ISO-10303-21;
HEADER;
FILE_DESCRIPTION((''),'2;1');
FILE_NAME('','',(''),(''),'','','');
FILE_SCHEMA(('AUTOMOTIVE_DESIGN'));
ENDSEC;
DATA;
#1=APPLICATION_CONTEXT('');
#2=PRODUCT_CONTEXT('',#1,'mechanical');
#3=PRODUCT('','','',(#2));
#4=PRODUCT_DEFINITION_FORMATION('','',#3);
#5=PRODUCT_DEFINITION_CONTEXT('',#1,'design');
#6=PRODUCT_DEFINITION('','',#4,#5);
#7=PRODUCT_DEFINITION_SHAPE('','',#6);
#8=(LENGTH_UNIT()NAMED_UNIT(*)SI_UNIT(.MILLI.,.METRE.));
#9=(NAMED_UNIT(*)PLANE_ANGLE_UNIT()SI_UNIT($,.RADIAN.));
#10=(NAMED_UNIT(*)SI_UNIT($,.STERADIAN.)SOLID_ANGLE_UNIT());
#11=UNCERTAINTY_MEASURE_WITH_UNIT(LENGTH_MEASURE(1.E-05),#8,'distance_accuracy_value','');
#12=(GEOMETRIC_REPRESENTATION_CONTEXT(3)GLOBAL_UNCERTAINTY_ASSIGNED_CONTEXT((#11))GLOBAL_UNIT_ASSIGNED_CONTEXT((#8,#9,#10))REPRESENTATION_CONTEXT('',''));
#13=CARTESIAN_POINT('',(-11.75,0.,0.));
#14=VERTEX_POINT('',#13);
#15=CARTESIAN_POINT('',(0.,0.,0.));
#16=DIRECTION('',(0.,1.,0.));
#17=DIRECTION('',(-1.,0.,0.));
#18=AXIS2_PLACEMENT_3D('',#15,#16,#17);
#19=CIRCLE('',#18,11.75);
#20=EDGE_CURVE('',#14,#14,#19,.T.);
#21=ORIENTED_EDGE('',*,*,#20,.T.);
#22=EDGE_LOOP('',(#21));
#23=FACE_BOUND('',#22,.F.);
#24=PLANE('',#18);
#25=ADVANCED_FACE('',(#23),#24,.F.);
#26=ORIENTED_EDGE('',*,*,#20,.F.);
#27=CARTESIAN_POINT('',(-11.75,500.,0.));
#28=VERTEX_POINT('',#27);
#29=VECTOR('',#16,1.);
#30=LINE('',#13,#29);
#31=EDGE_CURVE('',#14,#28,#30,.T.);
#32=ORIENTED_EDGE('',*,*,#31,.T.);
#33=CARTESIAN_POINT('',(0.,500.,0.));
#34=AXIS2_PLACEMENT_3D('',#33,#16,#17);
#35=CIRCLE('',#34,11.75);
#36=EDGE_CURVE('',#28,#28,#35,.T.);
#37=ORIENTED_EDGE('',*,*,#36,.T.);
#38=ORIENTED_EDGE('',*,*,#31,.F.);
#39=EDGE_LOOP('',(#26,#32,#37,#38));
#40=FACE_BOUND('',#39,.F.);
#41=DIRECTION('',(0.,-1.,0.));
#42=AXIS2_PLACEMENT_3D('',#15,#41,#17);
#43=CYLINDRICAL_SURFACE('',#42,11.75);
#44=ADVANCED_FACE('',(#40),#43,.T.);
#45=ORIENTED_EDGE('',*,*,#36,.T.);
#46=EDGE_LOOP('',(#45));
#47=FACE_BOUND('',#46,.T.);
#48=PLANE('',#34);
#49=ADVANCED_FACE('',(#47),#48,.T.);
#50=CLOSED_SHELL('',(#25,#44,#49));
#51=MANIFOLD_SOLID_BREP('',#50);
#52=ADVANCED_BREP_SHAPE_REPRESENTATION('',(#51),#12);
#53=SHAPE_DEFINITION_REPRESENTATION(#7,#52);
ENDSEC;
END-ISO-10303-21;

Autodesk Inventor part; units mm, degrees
ref_plane "YZ Plane" through (0, 0, 0) normal (1, 0, 0) x (0, 1, 0)
ref_plane "XZ Plane" through (0, 0, 0) normal (0, 1, 0) x (-1, 0, 0)
ref_plane "XY Plane" through (0, 0, 0) normal (0, 0, 1) x (1, 0, 0)
sketch "Sketch1" plane through (0, 0, 0) normal (0, 1, 0) x (-1, 0, 0)
  circle A0 centre (0, 0) radius 11.75
  dimension "d0" = 23.5
extrude "Extrusion1" add sketch "Sketch1" along normal blind 500
properties part number "50cm_rod"
